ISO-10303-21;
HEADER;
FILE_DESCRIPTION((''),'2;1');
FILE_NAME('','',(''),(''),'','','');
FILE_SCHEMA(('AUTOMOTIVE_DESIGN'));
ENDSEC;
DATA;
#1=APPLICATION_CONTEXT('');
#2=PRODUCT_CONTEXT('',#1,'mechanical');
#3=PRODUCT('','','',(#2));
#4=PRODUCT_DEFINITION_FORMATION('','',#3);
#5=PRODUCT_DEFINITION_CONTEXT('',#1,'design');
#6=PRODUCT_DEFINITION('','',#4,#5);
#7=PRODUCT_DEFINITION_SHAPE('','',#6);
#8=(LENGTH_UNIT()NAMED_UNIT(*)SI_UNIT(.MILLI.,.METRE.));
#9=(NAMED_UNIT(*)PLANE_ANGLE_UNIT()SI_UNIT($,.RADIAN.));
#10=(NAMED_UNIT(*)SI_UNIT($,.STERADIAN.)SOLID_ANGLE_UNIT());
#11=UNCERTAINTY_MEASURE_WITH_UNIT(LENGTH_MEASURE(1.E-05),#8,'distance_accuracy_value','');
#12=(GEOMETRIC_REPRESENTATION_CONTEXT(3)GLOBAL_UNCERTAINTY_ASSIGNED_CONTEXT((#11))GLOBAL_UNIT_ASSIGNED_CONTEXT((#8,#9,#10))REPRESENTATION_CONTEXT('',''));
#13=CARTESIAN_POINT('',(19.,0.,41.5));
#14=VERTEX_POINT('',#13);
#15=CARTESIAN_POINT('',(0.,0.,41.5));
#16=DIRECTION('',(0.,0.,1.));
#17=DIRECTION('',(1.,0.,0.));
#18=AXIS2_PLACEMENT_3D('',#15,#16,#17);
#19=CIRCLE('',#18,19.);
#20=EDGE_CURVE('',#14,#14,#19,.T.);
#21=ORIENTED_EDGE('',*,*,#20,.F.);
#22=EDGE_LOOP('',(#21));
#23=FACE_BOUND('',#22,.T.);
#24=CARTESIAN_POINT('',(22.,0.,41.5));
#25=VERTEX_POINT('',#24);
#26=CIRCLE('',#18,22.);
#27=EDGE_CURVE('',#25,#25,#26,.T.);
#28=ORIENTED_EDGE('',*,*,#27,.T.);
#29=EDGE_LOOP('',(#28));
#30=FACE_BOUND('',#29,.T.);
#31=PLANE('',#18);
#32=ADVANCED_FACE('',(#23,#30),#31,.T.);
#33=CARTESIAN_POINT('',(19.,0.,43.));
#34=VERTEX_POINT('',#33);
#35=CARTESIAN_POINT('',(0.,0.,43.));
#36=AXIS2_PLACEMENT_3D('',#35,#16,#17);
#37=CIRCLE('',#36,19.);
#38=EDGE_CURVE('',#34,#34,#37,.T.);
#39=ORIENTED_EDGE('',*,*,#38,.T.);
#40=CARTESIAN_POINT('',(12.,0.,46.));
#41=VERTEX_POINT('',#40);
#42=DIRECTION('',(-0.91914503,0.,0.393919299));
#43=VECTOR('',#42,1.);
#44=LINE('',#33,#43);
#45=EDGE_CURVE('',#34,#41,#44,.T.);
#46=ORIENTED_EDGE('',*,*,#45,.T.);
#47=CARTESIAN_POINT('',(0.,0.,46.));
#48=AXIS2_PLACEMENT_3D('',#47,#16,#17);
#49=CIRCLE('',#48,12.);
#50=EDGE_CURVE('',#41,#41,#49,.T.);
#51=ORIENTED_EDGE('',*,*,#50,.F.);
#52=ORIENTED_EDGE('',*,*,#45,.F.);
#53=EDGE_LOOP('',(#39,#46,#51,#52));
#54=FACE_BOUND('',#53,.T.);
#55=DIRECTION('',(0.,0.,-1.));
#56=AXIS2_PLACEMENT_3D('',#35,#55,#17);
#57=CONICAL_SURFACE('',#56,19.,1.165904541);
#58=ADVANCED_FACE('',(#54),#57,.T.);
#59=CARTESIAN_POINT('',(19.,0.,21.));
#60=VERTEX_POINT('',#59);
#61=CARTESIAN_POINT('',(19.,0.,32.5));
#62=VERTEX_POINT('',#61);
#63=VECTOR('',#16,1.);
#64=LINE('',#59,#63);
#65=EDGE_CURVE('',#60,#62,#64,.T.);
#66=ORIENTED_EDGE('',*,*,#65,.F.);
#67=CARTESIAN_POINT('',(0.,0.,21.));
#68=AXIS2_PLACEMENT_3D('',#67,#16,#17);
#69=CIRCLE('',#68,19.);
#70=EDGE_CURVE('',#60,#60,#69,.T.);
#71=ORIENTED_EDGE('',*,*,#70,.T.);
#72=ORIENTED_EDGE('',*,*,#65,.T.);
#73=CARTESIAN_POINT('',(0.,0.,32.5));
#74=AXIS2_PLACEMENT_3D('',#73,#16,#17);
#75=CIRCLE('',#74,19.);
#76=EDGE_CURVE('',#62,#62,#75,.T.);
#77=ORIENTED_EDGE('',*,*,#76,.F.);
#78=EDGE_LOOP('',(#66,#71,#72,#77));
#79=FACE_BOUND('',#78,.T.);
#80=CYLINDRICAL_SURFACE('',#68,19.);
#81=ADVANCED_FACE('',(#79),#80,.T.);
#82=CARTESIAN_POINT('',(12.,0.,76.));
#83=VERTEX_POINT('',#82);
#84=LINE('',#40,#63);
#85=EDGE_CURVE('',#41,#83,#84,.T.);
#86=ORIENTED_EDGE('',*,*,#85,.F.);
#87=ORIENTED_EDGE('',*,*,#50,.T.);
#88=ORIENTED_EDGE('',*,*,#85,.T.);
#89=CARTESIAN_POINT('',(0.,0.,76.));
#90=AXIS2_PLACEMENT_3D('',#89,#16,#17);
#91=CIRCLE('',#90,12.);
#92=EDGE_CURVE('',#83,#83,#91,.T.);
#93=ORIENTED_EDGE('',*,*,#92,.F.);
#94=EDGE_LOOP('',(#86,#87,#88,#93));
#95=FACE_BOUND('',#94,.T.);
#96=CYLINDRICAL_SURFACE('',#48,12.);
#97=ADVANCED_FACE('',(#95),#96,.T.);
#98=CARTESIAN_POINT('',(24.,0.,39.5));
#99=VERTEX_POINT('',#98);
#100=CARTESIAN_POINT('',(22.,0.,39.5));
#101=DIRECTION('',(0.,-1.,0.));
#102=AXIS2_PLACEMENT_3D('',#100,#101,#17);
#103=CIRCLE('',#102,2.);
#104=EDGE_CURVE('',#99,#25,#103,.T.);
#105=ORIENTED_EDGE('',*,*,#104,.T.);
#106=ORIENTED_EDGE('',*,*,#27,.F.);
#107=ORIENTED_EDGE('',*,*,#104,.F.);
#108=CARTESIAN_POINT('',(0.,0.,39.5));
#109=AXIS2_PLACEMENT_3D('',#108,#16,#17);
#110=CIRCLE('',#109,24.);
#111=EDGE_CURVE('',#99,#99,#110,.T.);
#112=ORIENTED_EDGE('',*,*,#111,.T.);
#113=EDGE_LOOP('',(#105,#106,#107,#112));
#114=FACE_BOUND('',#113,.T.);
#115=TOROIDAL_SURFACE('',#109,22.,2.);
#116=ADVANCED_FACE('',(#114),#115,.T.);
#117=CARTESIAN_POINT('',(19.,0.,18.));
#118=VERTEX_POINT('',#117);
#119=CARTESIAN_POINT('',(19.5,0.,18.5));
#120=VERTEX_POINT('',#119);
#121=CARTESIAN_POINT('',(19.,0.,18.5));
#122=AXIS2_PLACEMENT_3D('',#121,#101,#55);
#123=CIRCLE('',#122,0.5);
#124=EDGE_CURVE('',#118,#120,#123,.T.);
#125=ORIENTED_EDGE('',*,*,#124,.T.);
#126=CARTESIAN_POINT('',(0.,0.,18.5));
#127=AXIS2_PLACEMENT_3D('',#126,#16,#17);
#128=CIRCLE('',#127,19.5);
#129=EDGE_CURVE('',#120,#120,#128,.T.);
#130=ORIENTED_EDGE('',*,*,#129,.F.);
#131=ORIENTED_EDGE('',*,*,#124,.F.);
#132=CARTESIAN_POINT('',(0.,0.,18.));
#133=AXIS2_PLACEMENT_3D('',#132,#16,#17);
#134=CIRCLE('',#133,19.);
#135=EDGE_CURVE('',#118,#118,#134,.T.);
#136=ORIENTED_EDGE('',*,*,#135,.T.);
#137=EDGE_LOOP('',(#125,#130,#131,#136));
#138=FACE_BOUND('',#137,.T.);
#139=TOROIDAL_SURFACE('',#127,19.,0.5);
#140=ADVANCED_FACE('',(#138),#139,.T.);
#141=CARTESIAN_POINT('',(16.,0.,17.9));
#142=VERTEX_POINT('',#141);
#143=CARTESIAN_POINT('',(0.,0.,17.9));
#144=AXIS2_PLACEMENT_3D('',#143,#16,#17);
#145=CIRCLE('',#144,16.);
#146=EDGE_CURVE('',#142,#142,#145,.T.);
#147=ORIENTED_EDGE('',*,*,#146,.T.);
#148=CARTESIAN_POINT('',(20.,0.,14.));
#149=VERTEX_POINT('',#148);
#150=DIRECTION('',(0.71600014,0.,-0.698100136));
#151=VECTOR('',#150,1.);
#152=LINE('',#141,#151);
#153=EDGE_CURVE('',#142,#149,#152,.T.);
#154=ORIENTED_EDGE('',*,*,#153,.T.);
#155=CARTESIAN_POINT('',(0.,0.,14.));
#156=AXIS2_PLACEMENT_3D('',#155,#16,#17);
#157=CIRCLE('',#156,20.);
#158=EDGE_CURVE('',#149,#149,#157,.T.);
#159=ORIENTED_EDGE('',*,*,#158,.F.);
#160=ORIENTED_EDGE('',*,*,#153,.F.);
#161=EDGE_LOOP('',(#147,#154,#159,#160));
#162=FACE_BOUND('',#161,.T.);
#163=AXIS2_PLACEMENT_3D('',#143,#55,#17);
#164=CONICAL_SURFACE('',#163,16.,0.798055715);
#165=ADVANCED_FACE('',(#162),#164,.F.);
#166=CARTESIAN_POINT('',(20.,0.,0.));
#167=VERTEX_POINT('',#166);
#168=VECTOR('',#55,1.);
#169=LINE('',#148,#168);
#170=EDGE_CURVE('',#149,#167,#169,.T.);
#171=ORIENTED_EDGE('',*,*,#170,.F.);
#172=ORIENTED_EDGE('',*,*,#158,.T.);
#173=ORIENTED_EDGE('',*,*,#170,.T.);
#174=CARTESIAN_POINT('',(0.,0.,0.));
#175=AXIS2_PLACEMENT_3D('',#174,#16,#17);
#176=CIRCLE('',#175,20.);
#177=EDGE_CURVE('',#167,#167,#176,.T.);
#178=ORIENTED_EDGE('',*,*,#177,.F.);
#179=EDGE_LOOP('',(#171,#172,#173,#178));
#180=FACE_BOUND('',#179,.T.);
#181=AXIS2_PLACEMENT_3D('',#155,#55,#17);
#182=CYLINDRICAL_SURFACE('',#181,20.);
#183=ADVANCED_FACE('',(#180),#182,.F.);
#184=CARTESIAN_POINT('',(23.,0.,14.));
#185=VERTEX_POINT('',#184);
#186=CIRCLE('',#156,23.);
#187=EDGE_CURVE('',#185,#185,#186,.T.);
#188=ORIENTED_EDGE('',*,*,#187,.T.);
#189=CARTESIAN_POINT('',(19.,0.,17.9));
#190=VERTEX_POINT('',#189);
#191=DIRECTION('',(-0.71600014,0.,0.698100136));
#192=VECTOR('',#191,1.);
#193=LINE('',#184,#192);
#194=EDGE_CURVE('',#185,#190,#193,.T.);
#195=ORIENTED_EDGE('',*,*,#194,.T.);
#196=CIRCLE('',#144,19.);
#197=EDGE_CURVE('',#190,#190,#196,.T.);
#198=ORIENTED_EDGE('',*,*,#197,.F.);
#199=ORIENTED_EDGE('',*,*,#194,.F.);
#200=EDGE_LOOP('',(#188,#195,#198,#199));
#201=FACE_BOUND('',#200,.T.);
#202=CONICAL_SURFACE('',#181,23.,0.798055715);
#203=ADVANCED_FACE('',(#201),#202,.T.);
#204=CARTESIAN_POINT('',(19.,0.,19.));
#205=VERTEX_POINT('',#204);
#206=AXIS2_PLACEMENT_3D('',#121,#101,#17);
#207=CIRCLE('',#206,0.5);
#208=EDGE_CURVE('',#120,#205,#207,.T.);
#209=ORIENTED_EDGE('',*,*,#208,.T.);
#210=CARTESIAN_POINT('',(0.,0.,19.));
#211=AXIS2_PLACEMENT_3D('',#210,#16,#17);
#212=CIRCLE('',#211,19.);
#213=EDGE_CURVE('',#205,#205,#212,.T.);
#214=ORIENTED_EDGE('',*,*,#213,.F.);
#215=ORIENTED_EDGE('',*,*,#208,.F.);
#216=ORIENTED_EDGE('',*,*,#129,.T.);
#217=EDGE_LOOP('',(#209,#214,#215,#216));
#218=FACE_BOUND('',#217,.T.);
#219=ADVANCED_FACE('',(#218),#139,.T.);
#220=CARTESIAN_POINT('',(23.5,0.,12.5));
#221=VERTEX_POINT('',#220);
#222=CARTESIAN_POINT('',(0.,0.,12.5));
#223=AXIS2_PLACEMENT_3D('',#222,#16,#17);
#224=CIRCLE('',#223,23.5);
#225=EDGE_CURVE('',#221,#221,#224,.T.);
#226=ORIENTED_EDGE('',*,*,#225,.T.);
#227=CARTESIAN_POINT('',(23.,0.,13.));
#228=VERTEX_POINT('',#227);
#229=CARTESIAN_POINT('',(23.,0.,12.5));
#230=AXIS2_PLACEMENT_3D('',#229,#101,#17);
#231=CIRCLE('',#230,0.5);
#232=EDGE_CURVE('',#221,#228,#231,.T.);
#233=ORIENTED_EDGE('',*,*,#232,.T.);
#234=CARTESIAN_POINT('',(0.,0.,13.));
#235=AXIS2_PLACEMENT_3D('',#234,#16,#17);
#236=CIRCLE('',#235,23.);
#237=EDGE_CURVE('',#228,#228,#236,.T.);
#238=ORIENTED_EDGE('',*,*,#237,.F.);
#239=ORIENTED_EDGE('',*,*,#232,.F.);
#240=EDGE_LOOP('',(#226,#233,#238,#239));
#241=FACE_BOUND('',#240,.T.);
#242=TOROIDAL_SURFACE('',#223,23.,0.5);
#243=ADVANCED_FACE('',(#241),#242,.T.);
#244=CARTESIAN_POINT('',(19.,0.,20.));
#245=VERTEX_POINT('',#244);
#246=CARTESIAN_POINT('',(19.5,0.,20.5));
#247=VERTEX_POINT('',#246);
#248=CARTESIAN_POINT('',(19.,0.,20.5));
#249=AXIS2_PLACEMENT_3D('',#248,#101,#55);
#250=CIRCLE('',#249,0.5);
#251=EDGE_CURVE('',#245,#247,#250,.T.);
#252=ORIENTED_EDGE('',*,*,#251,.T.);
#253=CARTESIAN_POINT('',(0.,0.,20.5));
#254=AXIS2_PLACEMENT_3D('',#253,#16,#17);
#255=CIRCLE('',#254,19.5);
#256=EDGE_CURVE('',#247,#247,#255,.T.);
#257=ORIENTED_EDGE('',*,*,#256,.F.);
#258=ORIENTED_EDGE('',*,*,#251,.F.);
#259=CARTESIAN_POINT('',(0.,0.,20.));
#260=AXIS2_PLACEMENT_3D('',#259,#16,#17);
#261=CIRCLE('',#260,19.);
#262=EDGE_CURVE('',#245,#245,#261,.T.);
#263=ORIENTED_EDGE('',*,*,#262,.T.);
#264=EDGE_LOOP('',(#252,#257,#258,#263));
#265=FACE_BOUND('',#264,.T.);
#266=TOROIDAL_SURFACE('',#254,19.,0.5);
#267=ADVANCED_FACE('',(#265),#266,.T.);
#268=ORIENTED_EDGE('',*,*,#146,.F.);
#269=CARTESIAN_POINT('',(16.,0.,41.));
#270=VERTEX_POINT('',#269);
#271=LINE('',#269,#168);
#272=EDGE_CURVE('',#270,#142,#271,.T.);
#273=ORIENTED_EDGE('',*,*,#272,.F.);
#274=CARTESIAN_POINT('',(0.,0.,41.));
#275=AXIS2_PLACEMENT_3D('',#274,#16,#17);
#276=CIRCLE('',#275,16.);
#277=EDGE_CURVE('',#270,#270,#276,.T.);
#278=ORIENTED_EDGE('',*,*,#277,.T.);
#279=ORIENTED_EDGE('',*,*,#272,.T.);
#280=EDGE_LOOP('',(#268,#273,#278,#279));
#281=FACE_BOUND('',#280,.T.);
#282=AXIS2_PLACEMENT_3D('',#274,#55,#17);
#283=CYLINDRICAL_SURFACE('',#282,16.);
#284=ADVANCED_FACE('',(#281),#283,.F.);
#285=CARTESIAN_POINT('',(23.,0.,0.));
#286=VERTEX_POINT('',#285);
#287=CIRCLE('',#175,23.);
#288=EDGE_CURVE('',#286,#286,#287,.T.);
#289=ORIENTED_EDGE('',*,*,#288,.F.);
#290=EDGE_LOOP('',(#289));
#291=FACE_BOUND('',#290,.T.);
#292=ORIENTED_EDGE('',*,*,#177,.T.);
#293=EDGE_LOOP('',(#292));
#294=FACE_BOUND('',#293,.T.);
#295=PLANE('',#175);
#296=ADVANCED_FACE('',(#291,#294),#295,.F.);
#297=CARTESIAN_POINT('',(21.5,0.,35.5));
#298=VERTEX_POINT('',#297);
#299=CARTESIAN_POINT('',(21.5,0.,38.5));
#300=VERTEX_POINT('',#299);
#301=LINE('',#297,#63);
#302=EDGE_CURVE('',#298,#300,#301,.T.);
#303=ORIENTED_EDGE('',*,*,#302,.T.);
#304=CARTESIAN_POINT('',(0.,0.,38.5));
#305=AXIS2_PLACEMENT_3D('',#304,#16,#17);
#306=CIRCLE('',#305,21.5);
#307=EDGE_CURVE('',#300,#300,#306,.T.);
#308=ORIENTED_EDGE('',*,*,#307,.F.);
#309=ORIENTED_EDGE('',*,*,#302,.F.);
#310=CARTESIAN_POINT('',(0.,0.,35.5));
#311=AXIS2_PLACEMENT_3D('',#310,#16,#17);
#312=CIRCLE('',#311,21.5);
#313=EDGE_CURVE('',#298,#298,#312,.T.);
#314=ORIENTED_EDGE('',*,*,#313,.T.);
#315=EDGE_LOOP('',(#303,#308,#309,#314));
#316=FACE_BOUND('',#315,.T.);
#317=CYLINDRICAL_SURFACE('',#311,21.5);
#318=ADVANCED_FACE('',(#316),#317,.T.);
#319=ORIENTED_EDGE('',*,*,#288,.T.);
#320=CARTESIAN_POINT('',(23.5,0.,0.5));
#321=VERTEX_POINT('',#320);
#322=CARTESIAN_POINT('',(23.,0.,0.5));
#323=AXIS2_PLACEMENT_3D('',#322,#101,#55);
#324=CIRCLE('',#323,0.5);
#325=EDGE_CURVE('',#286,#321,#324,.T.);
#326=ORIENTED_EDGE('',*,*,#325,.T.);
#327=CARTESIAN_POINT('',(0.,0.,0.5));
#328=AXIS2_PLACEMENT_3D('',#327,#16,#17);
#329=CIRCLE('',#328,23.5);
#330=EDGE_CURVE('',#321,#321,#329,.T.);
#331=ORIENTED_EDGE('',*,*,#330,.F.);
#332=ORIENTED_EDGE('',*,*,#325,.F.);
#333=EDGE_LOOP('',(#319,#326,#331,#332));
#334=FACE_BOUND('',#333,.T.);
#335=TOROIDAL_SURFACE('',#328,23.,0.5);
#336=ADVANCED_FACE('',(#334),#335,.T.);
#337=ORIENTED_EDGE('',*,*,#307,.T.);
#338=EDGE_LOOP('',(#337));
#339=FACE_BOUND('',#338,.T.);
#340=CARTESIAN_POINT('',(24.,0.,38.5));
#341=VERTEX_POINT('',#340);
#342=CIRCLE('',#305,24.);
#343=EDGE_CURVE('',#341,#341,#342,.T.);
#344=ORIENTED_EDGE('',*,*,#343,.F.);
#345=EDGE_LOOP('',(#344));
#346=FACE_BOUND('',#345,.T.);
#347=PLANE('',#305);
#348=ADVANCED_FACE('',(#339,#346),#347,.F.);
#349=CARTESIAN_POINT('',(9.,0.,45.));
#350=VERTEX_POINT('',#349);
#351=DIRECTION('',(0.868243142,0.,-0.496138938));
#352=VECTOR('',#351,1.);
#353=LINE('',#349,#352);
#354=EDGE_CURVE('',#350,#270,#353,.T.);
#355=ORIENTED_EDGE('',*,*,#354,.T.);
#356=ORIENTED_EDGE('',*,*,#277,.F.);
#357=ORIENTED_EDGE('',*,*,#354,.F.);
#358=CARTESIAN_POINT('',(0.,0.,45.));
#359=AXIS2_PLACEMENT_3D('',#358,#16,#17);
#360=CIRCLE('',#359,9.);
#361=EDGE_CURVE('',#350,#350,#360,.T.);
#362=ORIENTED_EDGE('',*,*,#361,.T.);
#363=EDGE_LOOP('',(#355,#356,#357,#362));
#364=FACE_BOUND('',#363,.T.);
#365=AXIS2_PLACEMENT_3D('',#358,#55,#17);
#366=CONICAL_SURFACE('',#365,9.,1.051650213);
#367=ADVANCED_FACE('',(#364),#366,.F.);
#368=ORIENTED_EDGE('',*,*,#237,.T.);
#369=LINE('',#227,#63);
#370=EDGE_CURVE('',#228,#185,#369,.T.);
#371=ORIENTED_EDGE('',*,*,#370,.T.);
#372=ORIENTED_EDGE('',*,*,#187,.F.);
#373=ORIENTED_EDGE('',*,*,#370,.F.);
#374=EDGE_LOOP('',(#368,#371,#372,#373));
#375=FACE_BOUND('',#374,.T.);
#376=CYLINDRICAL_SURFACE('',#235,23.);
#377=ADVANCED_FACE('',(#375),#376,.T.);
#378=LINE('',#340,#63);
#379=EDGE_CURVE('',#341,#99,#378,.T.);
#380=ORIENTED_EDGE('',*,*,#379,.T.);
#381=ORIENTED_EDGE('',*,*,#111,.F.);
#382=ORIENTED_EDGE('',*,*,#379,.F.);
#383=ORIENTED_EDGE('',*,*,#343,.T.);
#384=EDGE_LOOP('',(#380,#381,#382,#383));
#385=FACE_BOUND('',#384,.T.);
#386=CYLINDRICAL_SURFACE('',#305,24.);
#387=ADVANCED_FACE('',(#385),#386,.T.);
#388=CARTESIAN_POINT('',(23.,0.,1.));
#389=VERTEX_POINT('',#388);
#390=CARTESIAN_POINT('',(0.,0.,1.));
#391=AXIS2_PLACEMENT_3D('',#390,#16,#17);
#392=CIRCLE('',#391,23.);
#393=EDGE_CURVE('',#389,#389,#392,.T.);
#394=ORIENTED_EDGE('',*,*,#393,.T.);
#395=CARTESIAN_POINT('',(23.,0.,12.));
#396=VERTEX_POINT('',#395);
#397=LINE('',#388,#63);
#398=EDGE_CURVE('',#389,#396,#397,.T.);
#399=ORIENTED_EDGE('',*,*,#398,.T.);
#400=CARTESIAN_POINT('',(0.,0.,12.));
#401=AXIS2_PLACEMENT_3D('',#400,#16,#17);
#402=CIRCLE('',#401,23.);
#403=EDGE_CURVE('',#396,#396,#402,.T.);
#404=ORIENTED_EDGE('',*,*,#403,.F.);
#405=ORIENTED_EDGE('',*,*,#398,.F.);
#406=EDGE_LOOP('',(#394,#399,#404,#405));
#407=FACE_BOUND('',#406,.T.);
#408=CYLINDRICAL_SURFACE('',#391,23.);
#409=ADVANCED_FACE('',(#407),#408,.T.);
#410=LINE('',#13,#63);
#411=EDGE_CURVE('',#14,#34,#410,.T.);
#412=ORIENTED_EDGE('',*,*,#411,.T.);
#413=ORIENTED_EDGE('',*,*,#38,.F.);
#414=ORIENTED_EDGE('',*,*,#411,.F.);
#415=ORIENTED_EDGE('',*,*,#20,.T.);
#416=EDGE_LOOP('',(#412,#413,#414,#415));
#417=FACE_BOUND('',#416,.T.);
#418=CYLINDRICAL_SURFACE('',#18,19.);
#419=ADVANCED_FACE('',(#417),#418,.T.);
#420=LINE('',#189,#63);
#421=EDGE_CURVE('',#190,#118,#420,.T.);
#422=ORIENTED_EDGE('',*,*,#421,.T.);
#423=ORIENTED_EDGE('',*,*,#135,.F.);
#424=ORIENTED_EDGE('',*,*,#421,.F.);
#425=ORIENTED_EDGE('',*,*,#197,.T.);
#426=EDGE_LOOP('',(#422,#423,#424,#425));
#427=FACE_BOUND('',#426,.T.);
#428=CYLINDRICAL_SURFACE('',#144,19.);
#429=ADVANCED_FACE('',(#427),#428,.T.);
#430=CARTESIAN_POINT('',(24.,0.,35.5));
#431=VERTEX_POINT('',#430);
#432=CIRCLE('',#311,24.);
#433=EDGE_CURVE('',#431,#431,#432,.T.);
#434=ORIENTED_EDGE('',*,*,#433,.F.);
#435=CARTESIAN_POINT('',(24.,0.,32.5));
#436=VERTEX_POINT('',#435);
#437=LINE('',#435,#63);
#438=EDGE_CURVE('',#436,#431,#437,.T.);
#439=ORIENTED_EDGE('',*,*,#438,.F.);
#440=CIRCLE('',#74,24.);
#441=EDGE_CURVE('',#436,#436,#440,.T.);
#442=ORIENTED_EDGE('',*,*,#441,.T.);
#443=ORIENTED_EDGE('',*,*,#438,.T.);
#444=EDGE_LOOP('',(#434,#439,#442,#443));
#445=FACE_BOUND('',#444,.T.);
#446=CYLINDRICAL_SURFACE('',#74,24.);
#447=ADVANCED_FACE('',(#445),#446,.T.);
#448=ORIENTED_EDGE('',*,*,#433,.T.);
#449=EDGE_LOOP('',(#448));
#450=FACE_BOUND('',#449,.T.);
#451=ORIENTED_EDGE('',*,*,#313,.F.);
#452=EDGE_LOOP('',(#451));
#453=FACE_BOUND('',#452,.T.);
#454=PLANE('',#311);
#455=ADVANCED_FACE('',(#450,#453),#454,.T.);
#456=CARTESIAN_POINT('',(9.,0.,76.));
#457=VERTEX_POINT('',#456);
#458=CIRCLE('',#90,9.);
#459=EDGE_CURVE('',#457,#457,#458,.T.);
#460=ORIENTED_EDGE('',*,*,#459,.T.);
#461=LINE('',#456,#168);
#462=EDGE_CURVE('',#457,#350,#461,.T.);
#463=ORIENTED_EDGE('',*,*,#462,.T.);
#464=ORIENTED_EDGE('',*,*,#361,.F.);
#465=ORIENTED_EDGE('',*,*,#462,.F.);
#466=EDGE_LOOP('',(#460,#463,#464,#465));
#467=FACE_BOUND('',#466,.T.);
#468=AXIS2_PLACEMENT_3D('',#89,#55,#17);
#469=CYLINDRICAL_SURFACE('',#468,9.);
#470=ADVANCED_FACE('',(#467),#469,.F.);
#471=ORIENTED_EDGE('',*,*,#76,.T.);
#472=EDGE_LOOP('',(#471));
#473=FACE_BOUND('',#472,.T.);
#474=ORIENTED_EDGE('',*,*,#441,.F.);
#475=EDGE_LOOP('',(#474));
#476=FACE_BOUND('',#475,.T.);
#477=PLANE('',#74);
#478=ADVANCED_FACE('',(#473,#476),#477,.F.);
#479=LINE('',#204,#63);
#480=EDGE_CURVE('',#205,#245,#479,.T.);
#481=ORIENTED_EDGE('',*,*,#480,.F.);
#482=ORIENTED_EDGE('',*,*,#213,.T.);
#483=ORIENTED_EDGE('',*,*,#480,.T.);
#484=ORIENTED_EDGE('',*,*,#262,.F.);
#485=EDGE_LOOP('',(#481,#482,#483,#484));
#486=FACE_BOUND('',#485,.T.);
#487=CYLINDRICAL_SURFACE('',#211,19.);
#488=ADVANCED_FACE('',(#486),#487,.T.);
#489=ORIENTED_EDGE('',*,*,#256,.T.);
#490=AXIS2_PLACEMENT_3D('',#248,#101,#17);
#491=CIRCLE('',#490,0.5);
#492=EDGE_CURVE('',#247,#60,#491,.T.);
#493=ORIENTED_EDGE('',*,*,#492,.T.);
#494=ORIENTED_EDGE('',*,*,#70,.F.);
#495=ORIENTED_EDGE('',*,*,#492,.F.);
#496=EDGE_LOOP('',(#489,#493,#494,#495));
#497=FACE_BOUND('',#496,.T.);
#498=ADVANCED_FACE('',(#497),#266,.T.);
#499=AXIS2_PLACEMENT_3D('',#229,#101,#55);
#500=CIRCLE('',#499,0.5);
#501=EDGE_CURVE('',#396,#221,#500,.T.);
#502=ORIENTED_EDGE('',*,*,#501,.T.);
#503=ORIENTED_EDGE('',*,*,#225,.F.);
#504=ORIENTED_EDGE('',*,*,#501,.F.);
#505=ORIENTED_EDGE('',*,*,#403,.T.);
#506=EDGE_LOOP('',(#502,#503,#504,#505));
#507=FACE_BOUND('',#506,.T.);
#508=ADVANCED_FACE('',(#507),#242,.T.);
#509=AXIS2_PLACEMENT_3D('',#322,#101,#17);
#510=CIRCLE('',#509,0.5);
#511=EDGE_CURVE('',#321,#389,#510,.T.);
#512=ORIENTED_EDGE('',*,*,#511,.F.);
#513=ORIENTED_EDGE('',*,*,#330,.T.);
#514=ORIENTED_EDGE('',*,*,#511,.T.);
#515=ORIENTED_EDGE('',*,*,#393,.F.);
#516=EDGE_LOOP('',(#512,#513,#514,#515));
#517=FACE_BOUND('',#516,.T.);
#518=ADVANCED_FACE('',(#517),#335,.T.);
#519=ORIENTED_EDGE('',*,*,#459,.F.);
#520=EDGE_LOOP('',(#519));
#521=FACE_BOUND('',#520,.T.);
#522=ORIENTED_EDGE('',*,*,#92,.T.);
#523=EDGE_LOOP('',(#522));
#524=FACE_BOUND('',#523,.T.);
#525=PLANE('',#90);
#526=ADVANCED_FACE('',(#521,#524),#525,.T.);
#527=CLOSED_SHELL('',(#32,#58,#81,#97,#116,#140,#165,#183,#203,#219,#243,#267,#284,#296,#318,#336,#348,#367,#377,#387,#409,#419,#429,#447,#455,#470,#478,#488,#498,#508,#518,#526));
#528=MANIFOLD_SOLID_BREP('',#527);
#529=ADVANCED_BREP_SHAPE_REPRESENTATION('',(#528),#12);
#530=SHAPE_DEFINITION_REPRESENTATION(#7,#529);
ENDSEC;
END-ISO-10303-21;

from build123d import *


with BuildPart() as f2:
    # F0 (on Front) → F2 (revolve)
    with BuildSketch(Plane.XZ):
        with BuildLine():
            ThreePointArc((23.5, 0.5), (23.3535533906, 0.8535533906), (23, 1))
            Line((23, 1), (23, 12))
            ThreePointArc((23, 12), (23.3535533906, 12.1464466094), (23.5, 12.5))
            ThreePointArc((23.5, 12.5), (23.3535533906, 12.8535533906), (23, 13))
            Line((23, 13), (23, 14))
            Line((23, 14), (19, 17.9))
            Line((19, 17.9), (19, 18))
            ThreePointArc((19, 18), (19.3535533906, 18.1464466094), (19.5, 18.5))
            ThreePointArc((19.5, 18.5), (19.3535533906, 18.8535533906), (19, 19))
            Line((19, 19), (19, 20))
            ThreePointArc((19, 20), (19.3535533906, 20.1464466094), (19.5, 20.5))
            ThreePointArc((19.5, 20.5), (19.3535533906, 20.8535533906), (19, 21))
            Line((19, 21), (19, 32.5))
            Line((19, 32.5), (24, 32.5))
            Line((24, 32.5), (24, 35.5))
            Line((24, 35.5), (21.5, 35.5))
            Line((21.5, 35.5), (21.5, 38.5))
            Line((21.5, 38.5), (24, 38.5))
            Line((24, 38.5), (24, 39.5))
            ThreePointArc((24, 39.5), (23.4142135624, 40.9142135624), (22, 41.5))
            Line((22, 41.5), (19, 41.5))
            Line((19, 41.5), (19, 43))
            Line((19, 43), (12, 46))
            Line((12, 46), (12, 76))
            Line((12, 76), (9, 76))
            Line((9, 76), (9, 45))
            Line((9, 45), (16, 41))
            Line((16, 41), (16, 17.9))
            Line((16, 17.9), (20, 14))
            Line((20, 14), (20, 0))
            Line((20, 0), (23, 0))
            ThreePointArc((23, 0), (23.3535533906, 0.1464466094), (23.5, 0.5))
        make_face()
    revolve(axis=Axis((0, 0, 0), (0, 0, 1)))


solid = f2.part
